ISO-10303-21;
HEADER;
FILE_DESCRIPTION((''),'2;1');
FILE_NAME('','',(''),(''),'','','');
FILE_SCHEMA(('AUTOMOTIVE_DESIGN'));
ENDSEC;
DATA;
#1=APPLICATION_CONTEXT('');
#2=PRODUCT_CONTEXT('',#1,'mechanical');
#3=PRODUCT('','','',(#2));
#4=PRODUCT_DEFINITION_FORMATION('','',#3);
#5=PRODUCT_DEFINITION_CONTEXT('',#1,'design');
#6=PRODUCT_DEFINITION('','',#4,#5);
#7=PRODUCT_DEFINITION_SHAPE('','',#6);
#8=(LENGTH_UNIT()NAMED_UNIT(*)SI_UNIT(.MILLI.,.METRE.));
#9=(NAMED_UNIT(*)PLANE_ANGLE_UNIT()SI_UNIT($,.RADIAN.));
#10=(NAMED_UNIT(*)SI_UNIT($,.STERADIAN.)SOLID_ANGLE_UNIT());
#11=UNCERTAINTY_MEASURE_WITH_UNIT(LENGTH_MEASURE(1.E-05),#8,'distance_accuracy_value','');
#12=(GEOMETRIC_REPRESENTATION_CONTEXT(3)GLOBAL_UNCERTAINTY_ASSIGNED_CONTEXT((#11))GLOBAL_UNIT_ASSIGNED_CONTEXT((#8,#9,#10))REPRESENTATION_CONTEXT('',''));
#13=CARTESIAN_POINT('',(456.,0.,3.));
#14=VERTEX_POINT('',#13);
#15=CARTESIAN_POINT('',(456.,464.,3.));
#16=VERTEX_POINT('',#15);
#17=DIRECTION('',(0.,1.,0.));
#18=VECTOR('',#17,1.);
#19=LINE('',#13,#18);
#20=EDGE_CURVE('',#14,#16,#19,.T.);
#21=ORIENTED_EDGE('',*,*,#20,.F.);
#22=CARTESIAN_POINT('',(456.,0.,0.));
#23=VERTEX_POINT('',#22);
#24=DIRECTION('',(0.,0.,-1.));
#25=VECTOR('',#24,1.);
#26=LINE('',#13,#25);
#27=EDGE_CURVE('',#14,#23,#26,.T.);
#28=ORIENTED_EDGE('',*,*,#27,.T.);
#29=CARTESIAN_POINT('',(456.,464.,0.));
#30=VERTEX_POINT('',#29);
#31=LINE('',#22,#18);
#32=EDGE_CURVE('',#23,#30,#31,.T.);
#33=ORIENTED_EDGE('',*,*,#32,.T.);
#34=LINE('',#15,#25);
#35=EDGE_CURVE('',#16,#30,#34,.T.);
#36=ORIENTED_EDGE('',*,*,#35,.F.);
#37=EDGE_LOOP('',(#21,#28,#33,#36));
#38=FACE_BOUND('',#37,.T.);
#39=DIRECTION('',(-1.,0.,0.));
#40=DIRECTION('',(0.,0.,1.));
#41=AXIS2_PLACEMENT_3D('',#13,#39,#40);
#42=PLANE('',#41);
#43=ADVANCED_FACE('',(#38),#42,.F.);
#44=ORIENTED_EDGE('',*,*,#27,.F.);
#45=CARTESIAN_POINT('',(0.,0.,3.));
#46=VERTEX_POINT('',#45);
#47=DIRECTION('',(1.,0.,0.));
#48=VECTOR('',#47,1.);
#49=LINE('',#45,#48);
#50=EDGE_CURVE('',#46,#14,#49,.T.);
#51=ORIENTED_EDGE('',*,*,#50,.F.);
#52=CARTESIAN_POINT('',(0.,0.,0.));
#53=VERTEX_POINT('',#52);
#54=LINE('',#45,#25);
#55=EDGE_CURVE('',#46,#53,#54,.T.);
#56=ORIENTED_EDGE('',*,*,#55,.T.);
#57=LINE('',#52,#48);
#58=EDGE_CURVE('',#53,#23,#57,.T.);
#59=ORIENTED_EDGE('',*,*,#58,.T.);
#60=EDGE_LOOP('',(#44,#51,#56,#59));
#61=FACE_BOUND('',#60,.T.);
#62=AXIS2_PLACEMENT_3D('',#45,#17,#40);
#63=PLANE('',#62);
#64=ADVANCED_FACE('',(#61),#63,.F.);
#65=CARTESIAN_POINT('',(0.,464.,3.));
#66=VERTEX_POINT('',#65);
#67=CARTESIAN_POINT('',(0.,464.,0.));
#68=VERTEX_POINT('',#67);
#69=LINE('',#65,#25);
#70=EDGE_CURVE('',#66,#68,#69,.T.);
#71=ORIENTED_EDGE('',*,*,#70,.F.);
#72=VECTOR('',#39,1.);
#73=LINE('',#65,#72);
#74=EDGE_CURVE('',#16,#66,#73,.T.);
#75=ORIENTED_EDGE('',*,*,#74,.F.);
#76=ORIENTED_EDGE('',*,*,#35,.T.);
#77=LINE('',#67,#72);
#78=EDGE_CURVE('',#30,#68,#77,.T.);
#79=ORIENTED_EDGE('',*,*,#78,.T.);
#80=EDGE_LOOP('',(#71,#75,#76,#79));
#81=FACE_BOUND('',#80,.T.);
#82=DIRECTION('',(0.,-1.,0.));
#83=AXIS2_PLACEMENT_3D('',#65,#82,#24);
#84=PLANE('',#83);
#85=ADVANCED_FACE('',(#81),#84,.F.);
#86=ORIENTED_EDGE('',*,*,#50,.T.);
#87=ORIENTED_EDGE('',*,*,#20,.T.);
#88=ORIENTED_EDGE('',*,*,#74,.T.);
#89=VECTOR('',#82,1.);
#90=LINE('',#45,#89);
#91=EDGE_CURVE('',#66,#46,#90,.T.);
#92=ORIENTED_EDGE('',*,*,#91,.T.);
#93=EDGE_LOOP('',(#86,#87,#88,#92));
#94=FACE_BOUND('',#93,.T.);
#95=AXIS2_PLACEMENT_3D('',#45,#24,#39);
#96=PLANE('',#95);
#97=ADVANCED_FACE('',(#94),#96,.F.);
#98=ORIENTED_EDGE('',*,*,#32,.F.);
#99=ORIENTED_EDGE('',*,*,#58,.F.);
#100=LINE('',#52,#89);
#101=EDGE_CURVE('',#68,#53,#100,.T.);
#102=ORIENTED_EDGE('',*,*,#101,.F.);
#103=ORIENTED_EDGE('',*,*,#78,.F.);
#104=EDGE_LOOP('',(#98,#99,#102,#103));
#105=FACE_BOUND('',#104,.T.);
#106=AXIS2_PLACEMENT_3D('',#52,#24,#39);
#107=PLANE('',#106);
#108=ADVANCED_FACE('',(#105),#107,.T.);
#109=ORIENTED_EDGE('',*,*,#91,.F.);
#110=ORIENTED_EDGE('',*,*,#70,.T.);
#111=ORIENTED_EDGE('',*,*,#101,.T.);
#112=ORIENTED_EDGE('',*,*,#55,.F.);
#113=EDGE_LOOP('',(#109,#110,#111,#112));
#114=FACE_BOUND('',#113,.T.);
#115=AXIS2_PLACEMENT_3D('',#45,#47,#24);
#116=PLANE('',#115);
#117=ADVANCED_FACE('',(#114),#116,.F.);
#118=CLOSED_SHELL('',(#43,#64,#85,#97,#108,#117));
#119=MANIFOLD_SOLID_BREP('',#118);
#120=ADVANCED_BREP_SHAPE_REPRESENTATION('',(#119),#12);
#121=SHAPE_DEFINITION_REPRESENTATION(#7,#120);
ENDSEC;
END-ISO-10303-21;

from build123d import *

# Parameters (mm, degrees)
SZKIC1_W                    = 456
SZKIC1_H                    = 464
DODANIE_WYCI_GNI_CIE1_DEPTH = 3


with BuildPart() as part:
    # Szkic1 → Dodanie-wyciągnięcie1 (new body)
    with BuildSketch(Plane.XY):
        with Locations((228, 232)):
            Rectangle(SZKIC1_W, SZKIC1_H)
    extrude(amount=DODANIE_WYCI_GNI_CIE1_DEPTH)


solid = part.part
